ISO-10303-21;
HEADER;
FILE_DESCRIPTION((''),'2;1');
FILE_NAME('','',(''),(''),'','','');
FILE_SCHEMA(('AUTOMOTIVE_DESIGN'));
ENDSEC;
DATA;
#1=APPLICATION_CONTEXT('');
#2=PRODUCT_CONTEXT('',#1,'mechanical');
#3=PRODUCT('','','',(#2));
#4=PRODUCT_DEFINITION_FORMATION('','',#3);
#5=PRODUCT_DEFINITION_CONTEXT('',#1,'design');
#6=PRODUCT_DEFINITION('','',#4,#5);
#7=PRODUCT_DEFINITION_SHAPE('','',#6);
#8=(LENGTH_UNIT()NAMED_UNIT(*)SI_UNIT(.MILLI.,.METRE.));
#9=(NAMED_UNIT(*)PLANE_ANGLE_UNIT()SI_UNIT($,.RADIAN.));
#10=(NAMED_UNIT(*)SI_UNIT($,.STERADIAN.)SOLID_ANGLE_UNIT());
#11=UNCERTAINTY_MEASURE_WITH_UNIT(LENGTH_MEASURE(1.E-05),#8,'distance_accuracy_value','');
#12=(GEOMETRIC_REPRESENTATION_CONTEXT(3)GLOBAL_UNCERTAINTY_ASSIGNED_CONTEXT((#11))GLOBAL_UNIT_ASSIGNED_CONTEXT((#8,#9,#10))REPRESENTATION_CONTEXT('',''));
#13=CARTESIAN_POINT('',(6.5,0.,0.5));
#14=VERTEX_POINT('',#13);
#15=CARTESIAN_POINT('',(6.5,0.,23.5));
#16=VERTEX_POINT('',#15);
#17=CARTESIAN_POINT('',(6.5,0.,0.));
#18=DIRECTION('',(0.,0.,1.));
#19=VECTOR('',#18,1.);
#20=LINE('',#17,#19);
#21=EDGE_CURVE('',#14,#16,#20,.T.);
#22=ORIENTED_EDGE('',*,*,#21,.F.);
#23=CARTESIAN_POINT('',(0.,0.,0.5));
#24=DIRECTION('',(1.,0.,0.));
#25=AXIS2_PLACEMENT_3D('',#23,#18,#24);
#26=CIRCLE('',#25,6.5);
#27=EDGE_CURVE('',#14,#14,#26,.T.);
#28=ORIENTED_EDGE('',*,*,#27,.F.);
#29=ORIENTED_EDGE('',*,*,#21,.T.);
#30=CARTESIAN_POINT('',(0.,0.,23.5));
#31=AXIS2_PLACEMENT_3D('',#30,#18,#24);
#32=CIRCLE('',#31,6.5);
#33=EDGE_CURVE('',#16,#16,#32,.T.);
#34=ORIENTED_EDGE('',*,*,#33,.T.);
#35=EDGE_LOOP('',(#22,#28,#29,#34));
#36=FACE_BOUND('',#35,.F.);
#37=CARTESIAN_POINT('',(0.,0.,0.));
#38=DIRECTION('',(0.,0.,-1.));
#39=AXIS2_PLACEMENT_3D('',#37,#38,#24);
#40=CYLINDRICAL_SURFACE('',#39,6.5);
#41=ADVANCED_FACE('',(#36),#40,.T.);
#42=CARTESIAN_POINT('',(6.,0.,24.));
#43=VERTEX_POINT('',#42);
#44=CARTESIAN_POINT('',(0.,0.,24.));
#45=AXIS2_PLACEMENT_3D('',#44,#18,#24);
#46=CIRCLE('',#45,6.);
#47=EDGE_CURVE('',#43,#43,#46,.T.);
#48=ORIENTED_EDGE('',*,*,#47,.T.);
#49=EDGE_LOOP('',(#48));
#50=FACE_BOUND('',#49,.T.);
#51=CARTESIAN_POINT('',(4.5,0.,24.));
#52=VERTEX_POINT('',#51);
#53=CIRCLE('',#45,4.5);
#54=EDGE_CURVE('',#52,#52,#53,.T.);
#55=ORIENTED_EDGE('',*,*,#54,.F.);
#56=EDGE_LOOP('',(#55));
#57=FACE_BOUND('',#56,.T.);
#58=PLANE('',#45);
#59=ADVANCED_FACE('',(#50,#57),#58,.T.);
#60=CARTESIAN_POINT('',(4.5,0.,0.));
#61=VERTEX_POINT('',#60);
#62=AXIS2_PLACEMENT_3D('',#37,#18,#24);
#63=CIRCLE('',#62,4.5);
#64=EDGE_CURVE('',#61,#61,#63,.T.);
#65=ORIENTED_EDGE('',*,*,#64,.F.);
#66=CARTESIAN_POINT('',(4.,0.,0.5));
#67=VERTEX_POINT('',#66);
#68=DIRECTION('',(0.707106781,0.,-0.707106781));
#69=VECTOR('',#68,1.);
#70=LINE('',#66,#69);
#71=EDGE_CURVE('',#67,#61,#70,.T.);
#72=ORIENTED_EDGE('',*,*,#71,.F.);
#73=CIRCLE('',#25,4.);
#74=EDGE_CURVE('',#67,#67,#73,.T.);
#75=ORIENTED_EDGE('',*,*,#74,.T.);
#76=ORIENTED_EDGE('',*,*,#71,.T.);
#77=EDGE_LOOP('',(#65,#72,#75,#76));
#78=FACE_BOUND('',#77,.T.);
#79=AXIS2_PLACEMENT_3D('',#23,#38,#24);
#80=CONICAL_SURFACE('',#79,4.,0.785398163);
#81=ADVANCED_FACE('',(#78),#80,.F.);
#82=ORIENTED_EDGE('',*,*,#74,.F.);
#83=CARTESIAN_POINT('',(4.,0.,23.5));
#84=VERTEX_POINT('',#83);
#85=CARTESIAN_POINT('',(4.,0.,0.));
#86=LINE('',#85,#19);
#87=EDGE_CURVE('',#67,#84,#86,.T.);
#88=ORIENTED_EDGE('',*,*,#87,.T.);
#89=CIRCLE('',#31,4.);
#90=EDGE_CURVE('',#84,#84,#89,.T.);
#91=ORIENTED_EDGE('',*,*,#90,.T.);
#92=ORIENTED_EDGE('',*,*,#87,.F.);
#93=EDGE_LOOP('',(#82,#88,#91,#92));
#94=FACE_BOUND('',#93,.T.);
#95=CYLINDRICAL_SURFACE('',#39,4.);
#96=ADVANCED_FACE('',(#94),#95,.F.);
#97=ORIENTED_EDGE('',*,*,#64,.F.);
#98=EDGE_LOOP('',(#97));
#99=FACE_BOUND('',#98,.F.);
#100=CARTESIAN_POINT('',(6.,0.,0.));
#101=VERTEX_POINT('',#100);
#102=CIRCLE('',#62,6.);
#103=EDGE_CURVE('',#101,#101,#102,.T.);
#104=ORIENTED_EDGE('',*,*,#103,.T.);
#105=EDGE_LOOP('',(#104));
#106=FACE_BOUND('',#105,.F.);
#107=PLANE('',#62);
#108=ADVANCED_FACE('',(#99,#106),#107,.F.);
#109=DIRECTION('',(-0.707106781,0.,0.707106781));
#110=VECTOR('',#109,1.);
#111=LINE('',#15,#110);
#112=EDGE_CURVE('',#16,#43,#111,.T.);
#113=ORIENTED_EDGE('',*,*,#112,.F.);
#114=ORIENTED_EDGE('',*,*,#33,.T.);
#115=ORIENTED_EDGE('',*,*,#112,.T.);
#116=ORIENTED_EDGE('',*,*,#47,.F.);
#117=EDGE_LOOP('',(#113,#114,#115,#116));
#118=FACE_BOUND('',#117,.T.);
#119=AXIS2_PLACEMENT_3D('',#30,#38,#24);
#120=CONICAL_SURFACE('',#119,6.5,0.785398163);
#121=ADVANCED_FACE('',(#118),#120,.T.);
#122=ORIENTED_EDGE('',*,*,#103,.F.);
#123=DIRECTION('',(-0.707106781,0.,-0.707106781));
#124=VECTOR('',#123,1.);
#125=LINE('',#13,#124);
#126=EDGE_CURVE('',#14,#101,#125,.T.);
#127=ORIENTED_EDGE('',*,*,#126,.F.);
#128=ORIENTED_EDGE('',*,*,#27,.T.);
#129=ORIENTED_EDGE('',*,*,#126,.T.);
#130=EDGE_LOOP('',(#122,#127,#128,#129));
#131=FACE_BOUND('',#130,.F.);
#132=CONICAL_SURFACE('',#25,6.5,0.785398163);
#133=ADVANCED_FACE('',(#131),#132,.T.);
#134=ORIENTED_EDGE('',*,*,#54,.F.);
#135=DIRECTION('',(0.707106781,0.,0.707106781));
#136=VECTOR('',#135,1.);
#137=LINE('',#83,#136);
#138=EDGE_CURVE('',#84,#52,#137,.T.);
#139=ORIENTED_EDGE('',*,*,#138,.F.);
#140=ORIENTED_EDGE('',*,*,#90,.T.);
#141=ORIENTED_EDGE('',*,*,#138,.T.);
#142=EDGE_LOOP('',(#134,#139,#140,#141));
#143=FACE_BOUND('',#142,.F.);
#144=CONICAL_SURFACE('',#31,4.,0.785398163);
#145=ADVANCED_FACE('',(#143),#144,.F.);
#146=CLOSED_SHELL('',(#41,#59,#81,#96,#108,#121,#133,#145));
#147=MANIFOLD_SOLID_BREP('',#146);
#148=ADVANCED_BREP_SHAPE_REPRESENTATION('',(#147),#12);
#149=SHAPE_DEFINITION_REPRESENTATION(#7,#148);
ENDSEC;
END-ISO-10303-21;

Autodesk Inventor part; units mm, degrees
ref_plane "YZ Plane" through (0, 0, 0) normal (1, 0, 0) x (0, 1, 0)
ref_plane "XZ Plane" through (0, 0, 0) normal (0, 1, 0) x (-1, 0, 0)
ref_plane "XY Plane" through (0, 0, 0) normal (0, 0, 1) x (1, 0, 0)
sketch "Sketch1" plane through (0, 0, 0) normal (0, 0, 1) x (1, 0, 0)
  circle A0 centre (0, 0) radius 4
  circle A1 centre (0, 0) radius 6.5
  dimension "d0" = 8
  dimension "d1" = 13
extrude "Extrusion1" add sketch "Sketch1" along normal blind 24
chamfer "Chamfer1" distance 0.5 angle 45 4 edges at (-6.5, 0, 24) (-4, 0, 24) (-6.5, 0, 0) (-4, 0, 0)
properties part number "BearingLinearLMK8" material "Steel, Alloy"
